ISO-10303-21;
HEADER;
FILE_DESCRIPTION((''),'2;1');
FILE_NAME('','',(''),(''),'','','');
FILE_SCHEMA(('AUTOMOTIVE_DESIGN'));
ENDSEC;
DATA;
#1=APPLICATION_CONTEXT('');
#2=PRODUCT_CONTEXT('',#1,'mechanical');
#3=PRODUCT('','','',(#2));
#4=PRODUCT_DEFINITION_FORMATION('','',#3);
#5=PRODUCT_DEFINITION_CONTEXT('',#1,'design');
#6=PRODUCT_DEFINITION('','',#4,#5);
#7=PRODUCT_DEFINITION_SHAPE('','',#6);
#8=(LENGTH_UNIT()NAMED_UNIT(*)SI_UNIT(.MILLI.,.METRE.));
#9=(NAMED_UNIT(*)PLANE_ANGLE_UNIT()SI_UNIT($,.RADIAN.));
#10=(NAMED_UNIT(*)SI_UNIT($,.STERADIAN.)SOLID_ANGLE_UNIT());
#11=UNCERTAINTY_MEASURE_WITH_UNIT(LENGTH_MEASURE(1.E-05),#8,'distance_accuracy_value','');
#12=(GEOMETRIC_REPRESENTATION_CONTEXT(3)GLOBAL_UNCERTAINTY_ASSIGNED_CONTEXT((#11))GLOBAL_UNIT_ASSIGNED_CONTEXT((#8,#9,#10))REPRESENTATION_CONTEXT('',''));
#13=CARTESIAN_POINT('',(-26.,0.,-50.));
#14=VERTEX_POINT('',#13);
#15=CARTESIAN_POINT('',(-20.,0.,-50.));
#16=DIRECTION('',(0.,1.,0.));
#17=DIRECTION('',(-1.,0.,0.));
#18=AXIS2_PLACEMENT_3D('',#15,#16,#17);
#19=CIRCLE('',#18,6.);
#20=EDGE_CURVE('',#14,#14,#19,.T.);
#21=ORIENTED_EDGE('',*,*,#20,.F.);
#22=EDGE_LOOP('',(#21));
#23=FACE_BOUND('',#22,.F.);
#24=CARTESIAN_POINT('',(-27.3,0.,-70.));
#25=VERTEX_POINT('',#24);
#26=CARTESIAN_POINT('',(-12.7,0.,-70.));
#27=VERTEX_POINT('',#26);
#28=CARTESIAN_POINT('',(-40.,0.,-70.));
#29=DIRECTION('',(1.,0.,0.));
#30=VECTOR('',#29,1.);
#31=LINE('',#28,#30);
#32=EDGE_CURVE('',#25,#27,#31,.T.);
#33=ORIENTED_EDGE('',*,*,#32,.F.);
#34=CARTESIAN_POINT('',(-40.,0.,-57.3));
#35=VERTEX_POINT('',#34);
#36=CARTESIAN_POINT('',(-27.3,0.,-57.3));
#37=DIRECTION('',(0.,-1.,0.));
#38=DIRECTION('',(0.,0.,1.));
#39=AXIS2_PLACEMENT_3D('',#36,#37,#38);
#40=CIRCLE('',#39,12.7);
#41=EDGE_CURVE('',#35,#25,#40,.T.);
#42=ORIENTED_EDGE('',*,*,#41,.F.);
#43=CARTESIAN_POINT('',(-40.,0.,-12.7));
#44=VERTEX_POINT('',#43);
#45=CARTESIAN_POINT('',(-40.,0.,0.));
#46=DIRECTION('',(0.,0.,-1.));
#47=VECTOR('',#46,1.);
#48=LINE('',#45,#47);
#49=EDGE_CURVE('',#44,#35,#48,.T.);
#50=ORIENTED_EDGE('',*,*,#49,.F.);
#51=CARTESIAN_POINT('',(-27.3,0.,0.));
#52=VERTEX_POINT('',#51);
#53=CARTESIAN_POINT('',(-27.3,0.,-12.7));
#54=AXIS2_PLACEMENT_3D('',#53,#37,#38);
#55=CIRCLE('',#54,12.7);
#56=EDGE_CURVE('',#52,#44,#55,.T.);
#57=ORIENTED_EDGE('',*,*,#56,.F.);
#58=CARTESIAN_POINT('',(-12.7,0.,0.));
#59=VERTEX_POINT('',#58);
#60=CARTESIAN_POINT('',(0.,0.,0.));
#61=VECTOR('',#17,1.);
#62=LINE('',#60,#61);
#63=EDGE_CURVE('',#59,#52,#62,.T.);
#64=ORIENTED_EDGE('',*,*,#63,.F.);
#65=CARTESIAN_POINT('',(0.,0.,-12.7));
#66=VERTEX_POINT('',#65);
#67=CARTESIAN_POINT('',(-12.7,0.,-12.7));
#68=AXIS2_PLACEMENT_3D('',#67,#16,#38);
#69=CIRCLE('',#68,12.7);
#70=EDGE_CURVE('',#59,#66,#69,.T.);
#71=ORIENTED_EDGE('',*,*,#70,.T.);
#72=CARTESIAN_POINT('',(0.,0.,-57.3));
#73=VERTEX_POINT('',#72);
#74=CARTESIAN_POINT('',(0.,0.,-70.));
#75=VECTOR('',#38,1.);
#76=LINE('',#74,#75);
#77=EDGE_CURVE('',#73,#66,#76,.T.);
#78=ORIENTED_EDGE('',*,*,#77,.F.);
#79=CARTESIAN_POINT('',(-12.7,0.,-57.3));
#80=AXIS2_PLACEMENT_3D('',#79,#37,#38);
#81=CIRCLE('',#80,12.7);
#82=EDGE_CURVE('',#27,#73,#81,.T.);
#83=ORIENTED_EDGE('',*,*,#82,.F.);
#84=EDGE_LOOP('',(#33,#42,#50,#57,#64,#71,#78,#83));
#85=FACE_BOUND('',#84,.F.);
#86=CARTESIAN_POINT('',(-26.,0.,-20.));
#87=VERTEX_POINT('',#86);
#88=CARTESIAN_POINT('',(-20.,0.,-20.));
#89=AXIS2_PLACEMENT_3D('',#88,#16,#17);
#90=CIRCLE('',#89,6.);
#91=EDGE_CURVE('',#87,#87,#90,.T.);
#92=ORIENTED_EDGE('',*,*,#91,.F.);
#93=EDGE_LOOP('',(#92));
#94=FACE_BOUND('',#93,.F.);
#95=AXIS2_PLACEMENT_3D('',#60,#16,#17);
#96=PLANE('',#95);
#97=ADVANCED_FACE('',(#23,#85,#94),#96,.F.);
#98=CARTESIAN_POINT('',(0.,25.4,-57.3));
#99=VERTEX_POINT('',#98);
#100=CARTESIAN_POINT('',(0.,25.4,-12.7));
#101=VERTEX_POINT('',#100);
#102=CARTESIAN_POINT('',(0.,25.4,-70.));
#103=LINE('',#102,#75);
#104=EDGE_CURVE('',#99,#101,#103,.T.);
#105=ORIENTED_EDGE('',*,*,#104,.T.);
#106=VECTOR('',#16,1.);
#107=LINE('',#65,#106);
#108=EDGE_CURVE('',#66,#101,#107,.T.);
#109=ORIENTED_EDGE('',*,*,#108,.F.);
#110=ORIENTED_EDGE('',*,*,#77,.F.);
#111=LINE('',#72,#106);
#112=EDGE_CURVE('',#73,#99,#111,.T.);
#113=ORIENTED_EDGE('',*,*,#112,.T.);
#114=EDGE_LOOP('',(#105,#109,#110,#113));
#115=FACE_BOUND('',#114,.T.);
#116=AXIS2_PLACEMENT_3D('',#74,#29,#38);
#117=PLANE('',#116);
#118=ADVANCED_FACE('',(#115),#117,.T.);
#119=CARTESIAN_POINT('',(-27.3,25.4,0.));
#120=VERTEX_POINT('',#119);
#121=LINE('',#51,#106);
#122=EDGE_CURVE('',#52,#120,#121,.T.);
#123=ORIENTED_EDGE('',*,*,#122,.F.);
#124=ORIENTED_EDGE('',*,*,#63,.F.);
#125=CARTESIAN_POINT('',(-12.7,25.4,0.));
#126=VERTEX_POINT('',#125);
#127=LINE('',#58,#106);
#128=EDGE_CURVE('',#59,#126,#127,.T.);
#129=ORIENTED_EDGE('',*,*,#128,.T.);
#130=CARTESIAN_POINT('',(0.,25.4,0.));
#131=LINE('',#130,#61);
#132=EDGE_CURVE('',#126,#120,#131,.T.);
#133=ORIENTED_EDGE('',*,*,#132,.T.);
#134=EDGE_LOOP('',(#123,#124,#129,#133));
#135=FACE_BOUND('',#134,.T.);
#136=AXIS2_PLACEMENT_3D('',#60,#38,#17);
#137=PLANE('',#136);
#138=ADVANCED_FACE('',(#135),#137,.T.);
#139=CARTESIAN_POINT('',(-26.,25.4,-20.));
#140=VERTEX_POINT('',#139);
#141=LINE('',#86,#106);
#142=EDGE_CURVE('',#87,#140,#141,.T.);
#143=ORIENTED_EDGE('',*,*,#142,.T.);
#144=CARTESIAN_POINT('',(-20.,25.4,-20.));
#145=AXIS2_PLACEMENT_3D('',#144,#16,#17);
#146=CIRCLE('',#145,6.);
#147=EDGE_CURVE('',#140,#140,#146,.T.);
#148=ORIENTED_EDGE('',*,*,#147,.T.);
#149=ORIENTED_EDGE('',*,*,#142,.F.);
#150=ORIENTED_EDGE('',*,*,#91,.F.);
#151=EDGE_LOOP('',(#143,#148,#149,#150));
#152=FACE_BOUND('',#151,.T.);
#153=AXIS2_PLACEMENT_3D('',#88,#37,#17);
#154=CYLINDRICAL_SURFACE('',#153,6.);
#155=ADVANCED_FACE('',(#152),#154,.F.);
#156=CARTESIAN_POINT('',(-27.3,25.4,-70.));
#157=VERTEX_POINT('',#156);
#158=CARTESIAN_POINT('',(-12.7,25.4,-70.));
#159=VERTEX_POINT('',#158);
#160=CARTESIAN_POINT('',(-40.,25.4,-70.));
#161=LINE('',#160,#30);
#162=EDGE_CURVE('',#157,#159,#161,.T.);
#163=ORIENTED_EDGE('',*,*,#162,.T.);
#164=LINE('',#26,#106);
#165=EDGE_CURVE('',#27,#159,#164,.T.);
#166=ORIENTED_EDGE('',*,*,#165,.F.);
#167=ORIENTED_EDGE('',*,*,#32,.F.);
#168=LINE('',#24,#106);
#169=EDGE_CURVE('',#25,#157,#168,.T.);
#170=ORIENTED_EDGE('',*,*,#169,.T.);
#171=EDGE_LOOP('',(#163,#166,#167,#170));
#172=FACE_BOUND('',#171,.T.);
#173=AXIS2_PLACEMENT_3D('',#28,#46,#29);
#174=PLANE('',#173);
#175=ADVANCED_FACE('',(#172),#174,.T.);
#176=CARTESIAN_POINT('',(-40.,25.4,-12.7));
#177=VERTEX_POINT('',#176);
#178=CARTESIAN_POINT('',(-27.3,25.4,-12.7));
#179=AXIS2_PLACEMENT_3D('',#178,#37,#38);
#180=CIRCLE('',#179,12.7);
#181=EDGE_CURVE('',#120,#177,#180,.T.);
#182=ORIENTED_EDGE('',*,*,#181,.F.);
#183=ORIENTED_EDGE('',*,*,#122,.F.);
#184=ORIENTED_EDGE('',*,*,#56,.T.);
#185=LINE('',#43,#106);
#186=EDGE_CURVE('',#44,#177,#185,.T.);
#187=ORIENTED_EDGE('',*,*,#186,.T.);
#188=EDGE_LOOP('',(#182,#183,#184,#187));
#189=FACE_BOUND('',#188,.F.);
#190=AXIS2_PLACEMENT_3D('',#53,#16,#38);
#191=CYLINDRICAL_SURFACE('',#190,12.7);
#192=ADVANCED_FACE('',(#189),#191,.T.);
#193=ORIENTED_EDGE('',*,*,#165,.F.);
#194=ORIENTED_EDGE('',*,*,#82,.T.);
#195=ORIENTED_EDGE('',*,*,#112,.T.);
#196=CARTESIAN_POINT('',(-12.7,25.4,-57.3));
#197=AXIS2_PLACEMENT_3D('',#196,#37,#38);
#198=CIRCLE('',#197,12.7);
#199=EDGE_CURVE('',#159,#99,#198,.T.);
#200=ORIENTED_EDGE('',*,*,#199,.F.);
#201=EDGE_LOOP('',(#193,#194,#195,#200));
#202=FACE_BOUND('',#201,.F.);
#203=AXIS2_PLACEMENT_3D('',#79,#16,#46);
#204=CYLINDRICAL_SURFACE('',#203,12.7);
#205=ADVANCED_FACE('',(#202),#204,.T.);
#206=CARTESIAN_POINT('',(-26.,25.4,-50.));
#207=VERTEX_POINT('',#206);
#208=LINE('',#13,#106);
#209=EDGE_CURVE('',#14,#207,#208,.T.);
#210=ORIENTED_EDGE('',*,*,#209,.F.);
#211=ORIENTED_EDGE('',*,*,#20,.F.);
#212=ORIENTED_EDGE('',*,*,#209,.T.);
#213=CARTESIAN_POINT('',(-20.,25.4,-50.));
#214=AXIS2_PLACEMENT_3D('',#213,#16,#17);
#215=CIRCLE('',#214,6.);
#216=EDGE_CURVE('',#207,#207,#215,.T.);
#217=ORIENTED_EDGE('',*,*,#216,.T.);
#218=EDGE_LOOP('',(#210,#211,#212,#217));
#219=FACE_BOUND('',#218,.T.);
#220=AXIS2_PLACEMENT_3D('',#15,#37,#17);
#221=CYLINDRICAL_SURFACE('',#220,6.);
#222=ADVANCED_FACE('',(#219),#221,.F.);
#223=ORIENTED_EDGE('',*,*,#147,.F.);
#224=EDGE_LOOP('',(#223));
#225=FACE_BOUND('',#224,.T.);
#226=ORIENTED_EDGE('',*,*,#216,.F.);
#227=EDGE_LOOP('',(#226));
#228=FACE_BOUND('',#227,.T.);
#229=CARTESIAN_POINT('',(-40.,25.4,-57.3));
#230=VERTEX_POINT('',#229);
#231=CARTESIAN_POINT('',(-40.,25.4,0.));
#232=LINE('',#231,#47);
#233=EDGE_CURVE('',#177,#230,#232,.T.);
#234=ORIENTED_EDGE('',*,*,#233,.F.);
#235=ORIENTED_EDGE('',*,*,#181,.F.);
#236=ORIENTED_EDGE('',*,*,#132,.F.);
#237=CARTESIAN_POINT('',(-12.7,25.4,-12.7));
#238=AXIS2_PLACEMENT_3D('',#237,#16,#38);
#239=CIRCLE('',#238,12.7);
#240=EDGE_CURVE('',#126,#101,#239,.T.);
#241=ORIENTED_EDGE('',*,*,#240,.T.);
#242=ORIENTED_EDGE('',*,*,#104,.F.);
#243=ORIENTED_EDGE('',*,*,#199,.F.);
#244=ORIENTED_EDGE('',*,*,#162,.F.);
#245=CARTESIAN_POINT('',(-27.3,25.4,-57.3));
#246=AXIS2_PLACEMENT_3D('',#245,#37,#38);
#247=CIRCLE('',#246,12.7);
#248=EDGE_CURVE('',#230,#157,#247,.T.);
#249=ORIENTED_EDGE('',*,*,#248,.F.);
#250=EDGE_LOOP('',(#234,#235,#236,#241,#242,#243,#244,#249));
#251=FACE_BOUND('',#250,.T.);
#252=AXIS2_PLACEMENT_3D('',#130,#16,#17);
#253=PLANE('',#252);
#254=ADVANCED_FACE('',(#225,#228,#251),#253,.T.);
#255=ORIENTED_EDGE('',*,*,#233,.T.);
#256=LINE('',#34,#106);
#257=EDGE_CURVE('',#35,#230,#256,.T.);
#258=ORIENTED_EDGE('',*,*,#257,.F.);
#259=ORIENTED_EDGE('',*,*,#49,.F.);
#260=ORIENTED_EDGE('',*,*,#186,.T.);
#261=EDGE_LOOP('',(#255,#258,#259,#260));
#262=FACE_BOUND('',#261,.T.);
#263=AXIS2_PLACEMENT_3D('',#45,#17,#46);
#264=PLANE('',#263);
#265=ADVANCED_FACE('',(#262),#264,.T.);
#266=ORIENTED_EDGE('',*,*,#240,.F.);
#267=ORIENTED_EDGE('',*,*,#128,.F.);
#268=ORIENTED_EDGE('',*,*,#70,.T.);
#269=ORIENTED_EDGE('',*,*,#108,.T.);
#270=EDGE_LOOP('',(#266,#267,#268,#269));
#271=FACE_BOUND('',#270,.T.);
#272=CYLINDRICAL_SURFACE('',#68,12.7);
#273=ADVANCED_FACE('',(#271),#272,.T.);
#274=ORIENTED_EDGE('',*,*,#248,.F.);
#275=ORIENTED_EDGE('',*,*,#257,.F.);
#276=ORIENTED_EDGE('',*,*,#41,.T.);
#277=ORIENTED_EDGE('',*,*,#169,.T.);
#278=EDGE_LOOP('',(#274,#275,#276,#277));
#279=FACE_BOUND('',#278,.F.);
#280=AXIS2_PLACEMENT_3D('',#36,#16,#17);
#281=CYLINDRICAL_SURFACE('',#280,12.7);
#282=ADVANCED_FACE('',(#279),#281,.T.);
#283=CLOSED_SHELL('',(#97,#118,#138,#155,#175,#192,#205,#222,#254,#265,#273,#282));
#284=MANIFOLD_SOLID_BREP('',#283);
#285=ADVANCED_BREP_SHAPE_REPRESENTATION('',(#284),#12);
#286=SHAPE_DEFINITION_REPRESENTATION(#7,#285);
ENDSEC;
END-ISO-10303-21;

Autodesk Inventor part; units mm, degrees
ref_plane "YZ Plane" through (0, 0, 0) normal (1, 0, 0) x (0, 1, 0)
ref_plane "XZ Plane" through (0, 0, 0) normal (0, 1, 0) x (-1, 0, 0)
ref_plane "XY Plane" through (0, 0, 0) normal (0, 0, 1) x (1, 0, 0)
sketch "Sketch1" plane through (0, 0, 0) normal (0, 1, 0) x (-1, 0, 0)
  line L0 (0, 0) -> (40, 0)
  line L1 (40, 0) -> (40, -70)
  line L2 (40, -70) -> (0, -70)
  line L3 (0, -70) -> (0, 0)
  circle A0 centre (20, -50) radius 6
  circle A1 centre (20, -20) radius 6
  dimension "d0" = 40
  dimension "d1" = 70
  dimension "d2" = 12
  dimension "d3" = 12
  dimension "d4" = 20
  dimension "d5" = 30
extrude "Extrusion1" add sketch "Sketch1" along normal blind 25.4
fillet "Fillet1" radius 12.7 4 edges at (0, 12.7, -70) (-40, 12.7, -70) (0, 12.7, 0) (-40, 12.7, 0)
properties part number "travel_mount"
